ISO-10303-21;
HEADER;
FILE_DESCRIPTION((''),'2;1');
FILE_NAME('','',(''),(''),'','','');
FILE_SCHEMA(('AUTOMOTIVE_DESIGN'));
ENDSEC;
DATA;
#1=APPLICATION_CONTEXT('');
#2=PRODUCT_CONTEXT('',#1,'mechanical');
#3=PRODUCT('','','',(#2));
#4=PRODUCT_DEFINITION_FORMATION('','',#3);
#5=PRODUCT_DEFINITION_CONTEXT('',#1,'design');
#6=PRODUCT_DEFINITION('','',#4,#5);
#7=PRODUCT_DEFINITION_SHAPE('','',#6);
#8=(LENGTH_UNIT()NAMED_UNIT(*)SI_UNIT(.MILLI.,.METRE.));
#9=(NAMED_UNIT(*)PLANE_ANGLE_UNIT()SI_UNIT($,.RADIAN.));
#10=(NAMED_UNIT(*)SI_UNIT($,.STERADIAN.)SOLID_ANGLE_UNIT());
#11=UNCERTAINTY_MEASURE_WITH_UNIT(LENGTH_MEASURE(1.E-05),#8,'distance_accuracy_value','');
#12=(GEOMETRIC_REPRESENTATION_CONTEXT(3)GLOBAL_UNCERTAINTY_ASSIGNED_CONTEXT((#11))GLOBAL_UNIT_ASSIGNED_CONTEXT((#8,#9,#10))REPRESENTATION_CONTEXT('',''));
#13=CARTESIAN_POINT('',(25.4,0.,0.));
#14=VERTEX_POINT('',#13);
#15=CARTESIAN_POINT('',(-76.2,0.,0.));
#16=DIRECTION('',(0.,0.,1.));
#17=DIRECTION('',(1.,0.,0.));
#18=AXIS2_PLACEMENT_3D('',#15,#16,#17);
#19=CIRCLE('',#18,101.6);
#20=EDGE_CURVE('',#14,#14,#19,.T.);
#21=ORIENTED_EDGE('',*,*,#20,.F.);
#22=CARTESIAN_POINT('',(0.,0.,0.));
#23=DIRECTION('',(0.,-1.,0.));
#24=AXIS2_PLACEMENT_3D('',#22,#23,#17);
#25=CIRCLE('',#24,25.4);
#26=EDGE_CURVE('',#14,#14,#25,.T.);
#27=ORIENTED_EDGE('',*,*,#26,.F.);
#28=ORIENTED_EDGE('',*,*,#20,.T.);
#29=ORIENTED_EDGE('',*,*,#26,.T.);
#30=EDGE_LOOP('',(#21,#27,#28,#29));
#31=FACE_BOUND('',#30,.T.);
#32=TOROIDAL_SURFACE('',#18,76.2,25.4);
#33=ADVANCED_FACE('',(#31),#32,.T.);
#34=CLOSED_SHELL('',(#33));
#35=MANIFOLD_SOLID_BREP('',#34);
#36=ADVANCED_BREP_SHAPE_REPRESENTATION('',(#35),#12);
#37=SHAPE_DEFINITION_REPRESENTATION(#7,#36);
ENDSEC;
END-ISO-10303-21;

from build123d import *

# Parameters (mm, degrees)
F0_R = 25.4


with BuildPart() as f2:
    # F2: sweep along a path in F1
    with BuildLine(Plane.XY) as f2_path:
        CenterArc((-76.2, 0), 76.2, 0, 360)
    # F0 (on Front) → F2 (sweep)
    with BuildSketch(Plane.XZ):
        Circle(F0_R)
    sweep(path=f2_path.line)


solid = f2.part
